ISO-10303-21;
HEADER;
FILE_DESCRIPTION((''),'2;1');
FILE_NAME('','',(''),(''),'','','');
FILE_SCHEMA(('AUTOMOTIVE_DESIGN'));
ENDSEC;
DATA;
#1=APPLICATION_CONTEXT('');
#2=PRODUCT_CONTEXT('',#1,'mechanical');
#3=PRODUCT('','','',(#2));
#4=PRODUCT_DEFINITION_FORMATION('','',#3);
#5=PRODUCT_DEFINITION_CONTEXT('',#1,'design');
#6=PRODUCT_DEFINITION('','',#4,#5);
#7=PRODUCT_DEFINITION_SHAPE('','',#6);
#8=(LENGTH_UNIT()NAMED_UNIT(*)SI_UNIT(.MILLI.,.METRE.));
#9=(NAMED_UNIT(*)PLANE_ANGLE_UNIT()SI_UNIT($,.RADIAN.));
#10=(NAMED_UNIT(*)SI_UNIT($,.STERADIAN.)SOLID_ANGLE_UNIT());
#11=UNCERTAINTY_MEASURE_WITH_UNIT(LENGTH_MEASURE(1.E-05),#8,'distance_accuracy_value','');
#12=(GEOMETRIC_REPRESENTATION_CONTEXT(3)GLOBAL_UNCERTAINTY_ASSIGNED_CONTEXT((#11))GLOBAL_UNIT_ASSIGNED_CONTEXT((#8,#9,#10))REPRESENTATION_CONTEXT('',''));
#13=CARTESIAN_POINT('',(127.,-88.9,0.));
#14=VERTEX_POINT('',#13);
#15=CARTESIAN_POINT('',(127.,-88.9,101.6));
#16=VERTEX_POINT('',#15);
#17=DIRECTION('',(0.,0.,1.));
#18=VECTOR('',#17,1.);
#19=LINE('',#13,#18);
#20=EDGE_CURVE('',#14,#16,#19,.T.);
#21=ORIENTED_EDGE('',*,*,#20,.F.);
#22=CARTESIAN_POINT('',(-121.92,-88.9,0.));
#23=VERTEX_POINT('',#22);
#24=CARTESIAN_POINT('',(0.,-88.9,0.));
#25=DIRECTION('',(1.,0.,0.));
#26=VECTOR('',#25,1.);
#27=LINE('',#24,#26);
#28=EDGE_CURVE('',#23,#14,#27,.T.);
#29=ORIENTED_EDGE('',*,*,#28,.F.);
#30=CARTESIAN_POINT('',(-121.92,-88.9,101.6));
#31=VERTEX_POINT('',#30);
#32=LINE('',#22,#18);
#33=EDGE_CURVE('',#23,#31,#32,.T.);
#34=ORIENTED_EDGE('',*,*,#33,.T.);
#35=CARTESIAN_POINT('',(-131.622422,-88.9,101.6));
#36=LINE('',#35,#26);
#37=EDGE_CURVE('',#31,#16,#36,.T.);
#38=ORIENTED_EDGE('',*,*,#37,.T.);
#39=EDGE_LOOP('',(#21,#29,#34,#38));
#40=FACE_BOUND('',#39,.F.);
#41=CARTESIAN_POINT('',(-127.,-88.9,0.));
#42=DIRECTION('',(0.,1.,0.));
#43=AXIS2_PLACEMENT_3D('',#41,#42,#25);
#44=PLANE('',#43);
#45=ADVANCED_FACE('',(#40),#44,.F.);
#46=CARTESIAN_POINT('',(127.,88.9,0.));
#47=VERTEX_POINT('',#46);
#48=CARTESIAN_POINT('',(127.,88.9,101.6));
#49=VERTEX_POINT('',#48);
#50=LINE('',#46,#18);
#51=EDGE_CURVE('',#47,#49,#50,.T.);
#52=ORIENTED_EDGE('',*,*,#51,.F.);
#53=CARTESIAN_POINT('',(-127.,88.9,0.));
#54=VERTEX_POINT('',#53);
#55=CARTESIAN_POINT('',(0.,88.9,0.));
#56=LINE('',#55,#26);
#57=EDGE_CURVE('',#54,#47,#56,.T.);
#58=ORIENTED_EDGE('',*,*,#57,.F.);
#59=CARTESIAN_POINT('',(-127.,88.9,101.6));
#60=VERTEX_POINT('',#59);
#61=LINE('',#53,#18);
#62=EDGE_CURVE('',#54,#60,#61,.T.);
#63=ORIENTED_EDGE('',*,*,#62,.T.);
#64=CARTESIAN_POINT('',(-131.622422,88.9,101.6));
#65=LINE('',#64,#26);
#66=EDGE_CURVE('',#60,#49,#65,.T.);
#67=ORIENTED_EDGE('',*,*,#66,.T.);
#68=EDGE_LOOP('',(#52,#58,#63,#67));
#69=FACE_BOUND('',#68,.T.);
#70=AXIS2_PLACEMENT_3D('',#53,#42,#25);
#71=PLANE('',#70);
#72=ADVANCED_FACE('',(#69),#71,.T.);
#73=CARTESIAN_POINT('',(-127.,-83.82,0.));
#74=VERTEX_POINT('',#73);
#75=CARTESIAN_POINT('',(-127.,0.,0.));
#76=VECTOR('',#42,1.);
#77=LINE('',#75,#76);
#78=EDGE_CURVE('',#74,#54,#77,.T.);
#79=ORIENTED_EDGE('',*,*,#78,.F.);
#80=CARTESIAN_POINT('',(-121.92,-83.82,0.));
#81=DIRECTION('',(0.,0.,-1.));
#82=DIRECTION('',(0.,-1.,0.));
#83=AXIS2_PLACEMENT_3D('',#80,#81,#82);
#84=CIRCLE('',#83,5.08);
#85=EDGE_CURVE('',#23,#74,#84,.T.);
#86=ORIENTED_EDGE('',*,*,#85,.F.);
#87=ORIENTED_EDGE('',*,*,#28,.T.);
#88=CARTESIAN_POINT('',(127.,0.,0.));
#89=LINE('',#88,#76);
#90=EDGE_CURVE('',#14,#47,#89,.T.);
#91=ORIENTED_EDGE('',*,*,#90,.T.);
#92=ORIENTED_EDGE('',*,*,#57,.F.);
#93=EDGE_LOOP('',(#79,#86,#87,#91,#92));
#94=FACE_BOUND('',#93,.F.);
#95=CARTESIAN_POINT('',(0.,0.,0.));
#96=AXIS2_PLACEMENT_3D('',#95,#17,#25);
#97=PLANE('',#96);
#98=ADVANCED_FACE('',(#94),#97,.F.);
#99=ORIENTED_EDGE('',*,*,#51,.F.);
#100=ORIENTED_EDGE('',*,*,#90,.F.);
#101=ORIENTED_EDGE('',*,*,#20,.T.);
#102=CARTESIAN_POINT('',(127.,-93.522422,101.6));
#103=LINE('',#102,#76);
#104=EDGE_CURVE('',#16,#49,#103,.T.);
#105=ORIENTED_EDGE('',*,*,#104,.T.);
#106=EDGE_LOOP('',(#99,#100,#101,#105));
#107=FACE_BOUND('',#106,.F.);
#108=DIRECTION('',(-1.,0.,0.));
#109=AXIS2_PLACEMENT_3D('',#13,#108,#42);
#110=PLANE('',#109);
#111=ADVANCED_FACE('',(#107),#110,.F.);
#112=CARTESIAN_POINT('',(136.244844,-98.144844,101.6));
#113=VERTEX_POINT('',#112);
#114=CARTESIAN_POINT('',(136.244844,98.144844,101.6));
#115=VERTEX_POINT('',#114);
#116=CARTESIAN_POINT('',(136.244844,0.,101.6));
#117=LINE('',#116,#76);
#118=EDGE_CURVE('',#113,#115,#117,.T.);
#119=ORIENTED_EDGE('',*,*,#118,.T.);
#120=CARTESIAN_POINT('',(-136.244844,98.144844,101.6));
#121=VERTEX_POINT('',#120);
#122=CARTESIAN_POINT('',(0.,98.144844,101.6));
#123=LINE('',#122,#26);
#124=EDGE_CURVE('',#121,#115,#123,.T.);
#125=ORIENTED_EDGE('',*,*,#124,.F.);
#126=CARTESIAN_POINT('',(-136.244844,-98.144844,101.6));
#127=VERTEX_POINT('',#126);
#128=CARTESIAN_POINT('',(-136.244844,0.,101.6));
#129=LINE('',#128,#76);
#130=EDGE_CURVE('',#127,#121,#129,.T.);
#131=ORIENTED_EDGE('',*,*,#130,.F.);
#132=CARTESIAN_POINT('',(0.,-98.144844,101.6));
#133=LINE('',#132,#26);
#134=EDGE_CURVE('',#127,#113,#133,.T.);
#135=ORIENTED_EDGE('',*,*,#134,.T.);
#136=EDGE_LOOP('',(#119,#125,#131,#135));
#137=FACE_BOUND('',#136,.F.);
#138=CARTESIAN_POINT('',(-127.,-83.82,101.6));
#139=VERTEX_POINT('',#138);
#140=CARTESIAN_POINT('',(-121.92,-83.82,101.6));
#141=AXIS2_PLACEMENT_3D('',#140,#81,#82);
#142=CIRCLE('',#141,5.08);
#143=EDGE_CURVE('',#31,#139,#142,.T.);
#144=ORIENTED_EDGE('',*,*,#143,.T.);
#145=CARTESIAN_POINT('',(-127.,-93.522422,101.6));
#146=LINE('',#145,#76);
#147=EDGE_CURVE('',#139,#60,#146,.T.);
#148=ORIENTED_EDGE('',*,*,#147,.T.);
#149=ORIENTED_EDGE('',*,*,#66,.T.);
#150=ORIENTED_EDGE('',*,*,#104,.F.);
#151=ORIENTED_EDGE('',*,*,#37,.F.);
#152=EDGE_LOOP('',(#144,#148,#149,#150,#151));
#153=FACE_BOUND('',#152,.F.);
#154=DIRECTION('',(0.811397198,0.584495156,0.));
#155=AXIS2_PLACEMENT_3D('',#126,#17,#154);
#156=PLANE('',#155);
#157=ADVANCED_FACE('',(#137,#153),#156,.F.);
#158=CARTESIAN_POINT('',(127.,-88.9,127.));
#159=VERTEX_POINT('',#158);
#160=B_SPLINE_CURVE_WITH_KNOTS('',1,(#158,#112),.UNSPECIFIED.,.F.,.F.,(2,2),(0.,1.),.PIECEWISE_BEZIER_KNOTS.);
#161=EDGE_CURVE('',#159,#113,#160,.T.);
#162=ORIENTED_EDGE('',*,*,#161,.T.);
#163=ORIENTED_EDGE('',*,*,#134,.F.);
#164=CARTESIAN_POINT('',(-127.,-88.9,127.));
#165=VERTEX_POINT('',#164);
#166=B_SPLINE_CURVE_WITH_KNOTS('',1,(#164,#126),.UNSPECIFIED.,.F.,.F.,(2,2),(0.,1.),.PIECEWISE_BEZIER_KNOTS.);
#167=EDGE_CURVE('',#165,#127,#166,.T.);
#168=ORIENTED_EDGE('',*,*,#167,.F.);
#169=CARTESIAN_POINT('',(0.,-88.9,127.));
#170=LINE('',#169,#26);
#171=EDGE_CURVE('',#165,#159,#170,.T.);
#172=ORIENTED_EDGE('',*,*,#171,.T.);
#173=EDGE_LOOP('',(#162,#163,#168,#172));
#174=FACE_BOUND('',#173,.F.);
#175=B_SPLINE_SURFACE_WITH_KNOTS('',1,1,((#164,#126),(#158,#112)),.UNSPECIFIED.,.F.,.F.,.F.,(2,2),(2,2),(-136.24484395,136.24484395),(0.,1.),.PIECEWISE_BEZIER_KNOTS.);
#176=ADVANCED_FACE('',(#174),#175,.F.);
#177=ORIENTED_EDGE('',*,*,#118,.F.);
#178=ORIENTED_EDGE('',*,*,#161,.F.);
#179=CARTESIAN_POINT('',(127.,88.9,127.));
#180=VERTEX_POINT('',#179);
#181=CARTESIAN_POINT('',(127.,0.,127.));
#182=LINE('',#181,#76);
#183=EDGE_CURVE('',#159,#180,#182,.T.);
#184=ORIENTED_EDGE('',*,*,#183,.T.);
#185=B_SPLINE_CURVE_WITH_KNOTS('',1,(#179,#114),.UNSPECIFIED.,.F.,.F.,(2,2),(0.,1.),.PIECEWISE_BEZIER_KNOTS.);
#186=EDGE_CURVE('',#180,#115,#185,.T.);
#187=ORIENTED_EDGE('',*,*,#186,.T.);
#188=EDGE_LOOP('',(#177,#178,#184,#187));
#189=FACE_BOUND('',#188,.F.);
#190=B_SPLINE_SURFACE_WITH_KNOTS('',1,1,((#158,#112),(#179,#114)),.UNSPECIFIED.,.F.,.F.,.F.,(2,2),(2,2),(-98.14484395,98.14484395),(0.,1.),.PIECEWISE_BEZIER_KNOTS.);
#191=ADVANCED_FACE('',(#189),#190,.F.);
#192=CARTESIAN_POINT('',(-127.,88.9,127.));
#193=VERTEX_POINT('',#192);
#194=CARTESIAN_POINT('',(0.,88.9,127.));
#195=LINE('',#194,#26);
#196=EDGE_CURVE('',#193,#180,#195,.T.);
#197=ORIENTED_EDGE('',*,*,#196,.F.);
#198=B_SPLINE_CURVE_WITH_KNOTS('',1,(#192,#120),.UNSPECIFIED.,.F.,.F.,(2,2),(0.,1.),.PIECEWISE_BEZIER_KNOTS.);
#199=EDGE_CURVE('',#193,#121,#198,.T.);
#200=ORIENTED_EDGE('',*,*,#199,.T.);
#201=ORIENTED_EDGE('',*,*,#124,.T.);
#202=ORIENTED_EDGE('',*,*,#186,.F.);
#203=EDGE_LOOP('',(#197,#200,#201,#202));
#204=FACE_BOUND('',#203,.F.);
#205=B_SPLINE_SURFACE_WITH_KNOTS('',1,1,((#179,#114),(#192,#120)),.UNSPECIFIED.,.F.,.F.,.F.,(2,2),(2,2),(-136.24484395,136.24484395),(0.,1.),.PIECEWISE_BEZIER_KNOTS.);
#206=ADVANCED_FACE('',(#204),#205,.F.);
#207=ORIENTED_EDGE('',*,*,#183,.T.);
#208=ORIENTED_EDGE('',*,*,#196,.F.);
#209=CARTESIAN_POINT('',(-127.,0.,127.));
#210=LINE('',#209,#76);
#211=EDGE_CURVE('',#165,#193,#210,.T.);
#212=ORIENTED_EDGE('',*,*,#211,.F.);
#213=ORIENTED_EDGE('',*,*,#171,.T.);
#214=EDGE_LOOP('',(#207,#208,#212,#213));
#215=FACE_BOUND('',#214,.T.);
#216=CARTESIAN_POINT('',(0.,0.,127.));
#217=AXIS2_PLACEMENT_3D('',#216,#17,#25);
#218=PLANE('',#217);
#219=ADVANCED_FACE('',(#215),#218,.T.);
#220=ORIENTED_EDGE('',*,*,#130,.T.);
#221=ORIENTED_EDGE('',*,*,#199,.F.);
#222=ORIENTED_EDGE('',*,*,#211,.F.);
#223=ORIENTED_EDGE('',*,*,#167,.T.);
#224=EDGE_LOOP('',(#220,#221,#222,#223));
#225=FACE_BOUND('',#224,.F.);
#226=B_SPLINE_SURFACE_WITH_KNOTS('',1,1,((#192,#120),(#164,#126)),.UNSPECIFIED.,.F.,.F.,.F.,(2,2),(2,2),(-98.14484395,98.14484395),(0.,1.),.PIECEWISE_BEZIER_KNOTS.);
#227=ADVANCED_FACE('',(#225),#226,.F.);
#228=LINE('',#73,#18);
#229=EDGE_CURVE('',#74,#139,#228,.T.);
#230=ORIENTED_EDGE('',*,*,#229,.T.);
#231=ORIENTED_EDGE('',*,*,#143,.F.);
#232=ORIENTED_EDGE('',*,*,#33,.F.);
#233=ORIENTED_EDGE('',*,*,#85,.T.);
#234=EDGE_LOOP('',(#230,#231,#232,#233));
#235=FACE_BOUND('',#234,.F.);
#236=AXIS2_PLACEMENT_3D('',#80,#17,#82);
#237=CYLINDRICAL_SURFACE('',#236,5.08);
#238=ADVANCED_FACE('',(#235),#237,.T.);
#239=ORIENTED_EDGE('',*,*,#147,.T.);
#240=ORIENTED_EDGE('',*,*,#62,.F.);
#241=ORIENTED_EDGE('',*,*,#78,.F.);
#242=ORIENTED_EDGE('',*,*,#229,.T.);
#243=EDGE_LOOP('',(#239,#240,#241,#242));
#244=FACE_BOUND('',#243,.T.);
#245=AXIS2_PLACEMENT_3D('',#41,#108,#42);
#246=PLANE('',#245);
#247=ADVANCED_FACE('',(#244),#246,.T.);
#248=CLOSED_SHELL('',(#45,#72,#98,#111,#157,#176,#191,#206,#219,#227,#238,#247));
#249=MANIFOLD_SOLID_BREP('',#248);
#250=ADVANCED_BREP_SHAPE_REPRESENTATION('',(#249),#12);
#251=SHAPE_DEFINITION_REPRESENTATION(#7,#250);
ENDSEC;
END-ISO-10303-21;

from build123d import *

# Parameters (mm, degrees)
F0_W      = 254
F0_H      = 177.8
F1_DEPTH  = 127
F1_FACE_W = 254
F1_FACE_H = 177.8
F2_DEPTH  = 25.4
F2_TAPER  = -20
F3_R      = 5.08


with BuildPart() as f1:
    # F0 (on Top) → F1 (new body)
    with BuildSketch(Plane.XY):
        Rectangle(F0_W, F0_H)
    extrude(amount=F1_DEPTH)

    # F1_face (on face) → F2 (join)
    with BuildSketch(Plane.XY.offset(127)):
        Rectangle(F1_FACE_W, F1_FACE_H)
    extrude(amount=-F2_DEPTH, taper=F2_TAPER)

    # F3
    f3_edges = [f1.edges().sort_by_distance(p)[0] for p in [
        (-127, -88.9, 50.8),
    ]]
    fillet(f3_edges, radius=F3_R)


solid = f1.part
